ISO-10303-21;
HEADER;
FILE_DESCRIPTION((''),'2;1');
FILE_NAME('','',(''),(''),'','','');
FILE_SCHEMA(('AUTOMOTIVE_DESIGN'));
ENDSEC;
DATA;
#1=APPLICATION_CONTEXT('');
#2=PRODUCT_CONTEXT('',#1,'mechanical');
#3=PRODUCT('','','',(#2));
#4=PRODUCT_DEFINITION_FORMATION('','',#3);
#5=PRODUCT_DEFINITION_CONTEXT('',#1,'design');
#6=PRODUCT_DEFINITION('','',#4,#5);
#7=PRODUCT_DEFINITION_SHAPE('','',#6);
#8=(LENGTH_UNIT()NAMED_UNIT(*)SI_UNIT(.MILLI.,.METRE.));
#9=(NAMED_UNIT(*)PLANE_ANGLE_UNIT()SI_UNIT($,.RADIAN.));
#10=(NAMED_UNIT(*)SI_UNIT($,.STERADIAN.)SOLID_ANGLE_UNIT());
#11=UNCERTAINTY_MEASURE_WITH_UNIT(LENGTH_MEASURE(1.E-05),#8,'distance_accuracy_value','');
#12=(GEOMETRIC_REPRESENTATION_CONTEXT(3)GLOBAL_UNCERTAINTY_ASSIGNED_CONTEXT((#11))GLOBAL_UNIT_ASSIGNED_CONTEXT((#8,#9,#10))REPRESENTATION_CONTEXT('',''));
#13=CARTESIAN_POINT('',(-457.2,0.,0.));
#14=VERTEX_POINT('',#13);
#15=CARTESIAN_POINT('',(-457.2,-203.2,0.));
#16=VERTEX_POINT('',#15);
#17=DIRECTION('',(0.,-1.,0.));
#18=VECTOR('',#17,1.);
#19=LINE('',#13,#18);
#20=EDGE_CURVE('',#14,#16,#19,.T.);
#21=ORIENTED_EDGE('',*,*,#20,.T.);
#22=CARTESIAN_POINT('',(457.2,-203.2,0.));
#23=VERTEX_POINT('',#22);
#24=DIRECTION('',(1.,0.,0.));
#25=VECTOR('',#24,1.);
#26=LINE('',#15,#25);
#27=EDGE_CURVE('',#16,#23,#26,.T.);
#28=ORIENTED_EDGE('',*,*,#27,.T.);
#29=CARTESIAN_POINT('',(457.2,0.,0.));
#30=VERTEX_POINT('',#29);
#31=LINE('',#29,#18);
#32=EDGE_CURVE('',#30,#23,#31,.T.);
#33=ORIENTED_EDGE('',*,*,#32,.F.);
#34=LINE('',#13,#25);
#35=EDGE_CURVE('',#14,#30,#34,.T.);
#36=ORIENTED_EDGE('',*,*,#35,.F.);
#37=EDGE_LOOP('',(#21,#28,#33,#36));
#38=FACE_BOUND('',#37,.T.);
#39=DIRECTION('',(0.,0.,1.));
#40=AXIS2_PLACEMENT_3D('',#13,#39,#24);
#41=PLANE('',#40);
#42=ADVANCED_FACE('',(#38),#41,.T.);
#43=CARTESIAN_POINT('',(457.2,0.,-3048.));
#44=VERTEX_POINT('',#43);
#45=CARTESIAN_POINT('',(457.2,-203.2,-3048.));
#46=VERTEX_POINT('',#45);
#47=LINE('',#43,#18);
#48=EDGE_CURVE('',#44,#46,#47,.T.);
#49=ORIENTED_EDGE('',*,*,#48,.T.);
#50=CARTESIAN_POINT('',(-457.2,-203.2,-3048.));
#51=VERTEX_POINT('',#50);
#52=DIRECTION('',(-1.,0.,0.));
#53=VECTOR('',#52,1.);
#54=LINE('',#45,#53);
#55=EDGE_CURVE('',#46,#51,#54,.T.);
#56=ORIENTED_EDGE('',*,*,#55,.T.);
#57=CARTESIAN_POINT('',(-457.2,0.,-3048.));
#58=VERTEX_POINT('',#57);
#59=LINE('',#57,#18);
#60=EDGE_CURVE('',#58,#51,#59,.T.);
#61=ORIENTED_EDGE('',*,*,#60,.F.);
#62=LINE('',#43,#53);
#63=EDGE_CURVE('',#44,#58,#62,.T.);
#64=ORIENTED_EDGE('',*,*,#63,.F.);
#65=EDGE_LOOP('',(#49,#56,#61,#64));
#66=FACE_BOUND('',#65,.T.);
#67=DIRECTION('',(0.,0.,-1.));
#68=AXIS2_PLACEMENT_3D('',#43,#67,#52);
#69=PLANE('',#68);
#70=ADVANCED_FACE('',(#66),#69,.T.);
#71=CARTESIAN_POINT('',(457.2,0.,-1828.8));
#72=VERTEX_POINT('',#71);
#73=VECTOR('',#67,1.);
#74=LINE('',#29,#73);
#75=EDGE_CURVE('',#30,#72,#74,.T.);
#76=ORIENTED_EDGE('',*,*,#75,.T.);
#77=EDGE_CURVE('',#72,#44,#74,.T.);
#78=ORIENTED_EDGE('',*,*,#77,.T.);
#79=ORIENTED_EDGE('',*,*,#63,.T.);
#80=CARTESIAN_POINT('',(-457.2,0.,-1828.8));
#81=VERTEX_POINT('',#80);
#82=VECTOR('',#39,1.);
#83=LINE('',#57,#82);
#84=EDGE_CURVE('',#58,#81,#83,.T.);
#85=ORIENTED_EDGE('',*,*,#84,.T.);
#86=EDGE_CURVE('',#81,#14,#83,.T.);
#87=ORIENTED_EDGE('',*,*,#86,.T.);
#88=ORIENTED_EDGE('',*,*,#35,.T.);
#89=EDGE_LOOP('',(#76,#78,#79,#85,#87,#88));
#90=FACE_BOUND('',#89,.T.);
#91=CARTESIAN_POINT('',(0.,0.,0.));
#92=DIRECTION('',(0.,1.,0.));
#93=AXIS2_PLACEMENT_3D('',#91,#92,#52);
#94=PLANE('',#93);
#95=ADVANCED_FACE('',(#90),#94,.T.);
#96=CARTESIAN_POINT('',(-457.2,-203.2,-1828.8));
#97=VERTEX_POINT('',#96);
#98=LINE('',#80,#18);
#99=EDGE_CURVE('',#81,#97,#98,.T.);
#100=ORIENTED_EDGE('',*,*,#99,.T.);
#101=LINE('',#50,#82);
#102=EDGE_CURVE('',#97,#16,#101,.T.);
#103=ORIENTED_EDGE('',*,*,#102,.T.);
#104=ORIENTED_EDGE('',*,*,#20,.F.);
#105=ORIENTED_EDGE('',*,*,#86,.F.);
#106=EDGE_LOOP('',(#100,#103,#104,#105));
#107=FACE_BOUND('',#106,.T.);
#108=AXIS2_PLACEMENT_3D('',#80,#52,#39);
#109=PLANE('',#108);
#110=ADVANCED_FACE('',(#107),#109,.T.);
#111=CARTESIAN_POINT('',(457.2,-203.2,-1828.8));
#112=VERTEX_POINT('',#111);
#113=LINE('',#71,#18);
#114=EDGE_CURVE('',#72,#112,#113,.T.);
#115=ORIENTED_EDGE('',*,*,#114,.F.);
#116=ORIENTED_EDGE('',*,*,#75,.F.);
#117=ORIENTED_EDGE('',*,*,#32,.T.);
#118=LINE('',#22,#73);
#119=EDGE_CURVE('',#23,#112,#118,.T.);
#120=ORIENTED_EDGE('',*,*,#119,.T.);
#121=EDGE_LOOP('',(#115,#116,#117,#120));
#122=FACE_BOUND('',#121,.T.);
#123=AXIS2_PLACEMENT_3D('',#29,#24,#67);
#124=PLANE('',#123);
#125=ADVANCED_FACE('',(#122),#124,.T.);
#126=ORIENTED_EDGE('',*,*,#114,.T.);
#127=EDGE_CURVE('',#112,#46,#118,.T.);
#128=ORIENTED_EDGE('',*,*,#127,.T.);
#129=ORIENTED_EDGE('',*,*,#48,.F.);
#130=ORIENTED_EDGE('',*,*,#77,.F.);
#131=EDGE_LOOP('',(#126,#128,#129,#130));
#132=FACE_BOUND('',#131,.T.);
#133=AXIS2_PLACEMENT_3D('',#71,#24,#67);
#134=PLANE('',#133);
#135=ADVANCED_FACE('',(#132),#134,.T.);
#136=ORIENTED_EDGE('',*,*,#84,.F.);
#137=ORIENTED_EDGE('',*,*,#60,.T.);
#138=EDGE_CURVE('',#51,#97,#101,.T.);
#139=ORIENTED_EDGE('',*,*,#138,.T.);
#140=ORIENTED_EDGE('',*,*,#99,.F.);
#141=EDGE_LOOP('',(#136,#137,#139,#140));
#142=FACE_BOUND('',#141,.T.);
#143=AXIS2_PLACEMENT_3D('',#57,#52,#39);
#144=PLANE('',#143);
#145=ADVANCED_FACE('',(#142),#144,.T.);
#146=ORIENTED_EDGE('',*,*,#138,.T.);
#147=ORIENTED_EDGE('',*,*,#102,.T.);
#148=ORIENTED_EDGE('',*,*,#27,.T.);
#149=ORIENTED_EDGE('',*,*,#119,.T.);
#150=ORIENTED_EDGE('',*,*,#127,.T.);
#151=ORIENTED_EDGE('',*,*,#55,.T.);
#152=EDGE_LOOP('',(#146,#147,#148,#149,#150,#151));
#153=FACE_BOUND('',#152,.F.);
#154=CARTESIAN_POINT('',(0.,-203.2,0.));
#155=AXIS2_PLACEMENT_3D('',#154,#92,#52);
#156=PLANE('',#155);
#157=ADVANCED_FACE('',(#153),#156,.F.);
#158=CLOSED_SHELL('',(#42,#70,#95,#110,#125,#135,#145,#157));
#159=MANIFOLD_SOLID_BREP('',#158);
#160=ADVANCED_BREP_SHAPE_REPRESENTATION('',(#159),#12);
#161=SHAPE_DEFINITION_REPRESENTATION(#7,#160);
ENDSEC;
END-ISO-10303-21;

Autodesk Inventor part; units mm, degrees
ref_plane "PLANE IN" through (0, 0, 0) normal (0, 0, 1) x (1, 0, 0)
ref_plane "PLANE OUT" through (0, 0, -3048) normal (0, 0, 1) x (1, 0, 0)
ref_plane "PLANE CTR" through (0, 0, 0) normal (1, 0, 0) x (0, 1, 0)
ref_plane "PLANE RH" through (457.2, 0, 0) normal (1, 0, 0) x (0, 1, 0)
ref_plane "PLANE LH" through (-457.2, 0, 0) normal (1, 0, 0) x (0, 1, 0)
ref_plane "PLANE TOP" through (0, 0, 0) normal (0, 1, 0) x (-1, 0, 0)
ref_plane "PLANE BOT" through (0, -203.2, 0) normal (0, 1, 0) x (-1, 0, 0)
ref_plane "PLANE HANDLE RH" through (558.8, 0, 0) normal (1, 0, 0) x (0, 1, 0)
ref_plane "PLANE HANDLE LH" through (-558.8, 0, 0) normal (1, 0, 0) x (0, 1, 0)
ref_plane "PLANE HANDLE IN" through (0, 0, -63.5) normal (0, 0, 1) x (1, 0, 0)
ref_plane "PLANE HANDLE OUT" through (0, 0, -2984.5) normal (0, 0, 1) x (1, 0, 0)
ref_plane "PLANE HANDLE TOP" through (0, -63.5, 0) normal (0, 1, 0) x (-1, 0, 0)
sketch "SKETCH BODY" plane through (0, 0, 0) normal (0, 1, 0) x (-1, 0, 0)
  line L0 (457.2, 0) -> (-457.2, 0)
  line L1 (-457.2, 0) -> (-457.2, -3048)
  line L2 (-457.2, -3048) -> (457.2, -3048)
  line L3 (457.2, -3048) -> (457.2, 0)
  line L4 (-640.08, 0) -> (640.08, 0) projected
  line L5 (-640.08, -3048) -> (640.08, -3048) projected
  line L6 (-457.2, -1828.8) -> (-457.2, 304.8) projected
  line L7 (457.2, -1828.8) -> (457.2, 304.8) projected
extrude "EXT BODY" add sketch "SKETCH BODY" against normal blind 203.2
sketch "SKETCH HANDLE DIA" plane through (457.2, 0, 0) normal (1, 0, 0) x (0, 1, 0)
  circle A0 centre (-63.5, -63.5) radius 12.7
  line L0 (-63.5, -45.72) -> (-63.5, -81.28) projected
  line L1 (-81.28, -63.5) -> (-45.72, -63.5) projected
  dimension "d14" = 25.4
sketch "SKETCH HANDLE PATH" plane through (0, -63.5, 0) normal (0, 1, 0) x (-1, 0, 0)
  line L0 (-558.8, -1739.9) -> (-558.8, 215.9) projected
  line L1 (-579.12, -63.5) -> (-436.88, -63.5) projected
  line L2 (-579.12, -2984.5) -> (-436.88, -2984.5) projected
  line L3 (-457.2, -63.5) -> (-558.8, -63.5)
  line L4 (-558.8, -63.5) -> (-558.8, -2984.5)
  line L5 (-558.8, -2984.5) -> (-457.2, -2984.5)
  line L6 (-457.2, -2984.5) -> (-457.2, -63.5) construction
  line L7 (-457.2, -1739.9) -> (-457.2, 215.9) projected
feature "SWP HANDLE" [suppressed]
mirror "MIR HANDLE" [suppressed]
equation "\"d12\" = HEIGHT"
equation "\"d1\" = -LENGTH"
equation "\"d2\" = 0.5 * WIDTH"
equation "\"d3\" = -0.5 * WIDTH"
equation "\"d6\" = -HEIGHT"
equation "\"d7\" = HANDLE_OFFSET_CTR"
equation "\"d8\" = -HANDLE_OFFSET_CTR"
equation "\"d9\" = -HANDLE_OFFSET_END"
equation "\"d10\" = -LENGTH + HANDLE_OFFSET_END"
equation "\"d11\" = -HANDLE_OFFSET_TOP"
equation "\"LENGTH\" = 3048"
equation "\"WIDTH\" = 914.4"
equation "\"HEIGHT\" = 203.2"
equation "\"HANDLE_GAP\" = 101.6"
equation "\"HANDLE_OFFSET_CTR\" = 0.5 * WIDTH + HANDLE_GAP"
equation "\"HANDLE_OFFSET_END\" = 63.5"
equation "\"HANDLE_OFFSET_TOP\" = 63.5"
properties part number "ATQ-36-120-N"
